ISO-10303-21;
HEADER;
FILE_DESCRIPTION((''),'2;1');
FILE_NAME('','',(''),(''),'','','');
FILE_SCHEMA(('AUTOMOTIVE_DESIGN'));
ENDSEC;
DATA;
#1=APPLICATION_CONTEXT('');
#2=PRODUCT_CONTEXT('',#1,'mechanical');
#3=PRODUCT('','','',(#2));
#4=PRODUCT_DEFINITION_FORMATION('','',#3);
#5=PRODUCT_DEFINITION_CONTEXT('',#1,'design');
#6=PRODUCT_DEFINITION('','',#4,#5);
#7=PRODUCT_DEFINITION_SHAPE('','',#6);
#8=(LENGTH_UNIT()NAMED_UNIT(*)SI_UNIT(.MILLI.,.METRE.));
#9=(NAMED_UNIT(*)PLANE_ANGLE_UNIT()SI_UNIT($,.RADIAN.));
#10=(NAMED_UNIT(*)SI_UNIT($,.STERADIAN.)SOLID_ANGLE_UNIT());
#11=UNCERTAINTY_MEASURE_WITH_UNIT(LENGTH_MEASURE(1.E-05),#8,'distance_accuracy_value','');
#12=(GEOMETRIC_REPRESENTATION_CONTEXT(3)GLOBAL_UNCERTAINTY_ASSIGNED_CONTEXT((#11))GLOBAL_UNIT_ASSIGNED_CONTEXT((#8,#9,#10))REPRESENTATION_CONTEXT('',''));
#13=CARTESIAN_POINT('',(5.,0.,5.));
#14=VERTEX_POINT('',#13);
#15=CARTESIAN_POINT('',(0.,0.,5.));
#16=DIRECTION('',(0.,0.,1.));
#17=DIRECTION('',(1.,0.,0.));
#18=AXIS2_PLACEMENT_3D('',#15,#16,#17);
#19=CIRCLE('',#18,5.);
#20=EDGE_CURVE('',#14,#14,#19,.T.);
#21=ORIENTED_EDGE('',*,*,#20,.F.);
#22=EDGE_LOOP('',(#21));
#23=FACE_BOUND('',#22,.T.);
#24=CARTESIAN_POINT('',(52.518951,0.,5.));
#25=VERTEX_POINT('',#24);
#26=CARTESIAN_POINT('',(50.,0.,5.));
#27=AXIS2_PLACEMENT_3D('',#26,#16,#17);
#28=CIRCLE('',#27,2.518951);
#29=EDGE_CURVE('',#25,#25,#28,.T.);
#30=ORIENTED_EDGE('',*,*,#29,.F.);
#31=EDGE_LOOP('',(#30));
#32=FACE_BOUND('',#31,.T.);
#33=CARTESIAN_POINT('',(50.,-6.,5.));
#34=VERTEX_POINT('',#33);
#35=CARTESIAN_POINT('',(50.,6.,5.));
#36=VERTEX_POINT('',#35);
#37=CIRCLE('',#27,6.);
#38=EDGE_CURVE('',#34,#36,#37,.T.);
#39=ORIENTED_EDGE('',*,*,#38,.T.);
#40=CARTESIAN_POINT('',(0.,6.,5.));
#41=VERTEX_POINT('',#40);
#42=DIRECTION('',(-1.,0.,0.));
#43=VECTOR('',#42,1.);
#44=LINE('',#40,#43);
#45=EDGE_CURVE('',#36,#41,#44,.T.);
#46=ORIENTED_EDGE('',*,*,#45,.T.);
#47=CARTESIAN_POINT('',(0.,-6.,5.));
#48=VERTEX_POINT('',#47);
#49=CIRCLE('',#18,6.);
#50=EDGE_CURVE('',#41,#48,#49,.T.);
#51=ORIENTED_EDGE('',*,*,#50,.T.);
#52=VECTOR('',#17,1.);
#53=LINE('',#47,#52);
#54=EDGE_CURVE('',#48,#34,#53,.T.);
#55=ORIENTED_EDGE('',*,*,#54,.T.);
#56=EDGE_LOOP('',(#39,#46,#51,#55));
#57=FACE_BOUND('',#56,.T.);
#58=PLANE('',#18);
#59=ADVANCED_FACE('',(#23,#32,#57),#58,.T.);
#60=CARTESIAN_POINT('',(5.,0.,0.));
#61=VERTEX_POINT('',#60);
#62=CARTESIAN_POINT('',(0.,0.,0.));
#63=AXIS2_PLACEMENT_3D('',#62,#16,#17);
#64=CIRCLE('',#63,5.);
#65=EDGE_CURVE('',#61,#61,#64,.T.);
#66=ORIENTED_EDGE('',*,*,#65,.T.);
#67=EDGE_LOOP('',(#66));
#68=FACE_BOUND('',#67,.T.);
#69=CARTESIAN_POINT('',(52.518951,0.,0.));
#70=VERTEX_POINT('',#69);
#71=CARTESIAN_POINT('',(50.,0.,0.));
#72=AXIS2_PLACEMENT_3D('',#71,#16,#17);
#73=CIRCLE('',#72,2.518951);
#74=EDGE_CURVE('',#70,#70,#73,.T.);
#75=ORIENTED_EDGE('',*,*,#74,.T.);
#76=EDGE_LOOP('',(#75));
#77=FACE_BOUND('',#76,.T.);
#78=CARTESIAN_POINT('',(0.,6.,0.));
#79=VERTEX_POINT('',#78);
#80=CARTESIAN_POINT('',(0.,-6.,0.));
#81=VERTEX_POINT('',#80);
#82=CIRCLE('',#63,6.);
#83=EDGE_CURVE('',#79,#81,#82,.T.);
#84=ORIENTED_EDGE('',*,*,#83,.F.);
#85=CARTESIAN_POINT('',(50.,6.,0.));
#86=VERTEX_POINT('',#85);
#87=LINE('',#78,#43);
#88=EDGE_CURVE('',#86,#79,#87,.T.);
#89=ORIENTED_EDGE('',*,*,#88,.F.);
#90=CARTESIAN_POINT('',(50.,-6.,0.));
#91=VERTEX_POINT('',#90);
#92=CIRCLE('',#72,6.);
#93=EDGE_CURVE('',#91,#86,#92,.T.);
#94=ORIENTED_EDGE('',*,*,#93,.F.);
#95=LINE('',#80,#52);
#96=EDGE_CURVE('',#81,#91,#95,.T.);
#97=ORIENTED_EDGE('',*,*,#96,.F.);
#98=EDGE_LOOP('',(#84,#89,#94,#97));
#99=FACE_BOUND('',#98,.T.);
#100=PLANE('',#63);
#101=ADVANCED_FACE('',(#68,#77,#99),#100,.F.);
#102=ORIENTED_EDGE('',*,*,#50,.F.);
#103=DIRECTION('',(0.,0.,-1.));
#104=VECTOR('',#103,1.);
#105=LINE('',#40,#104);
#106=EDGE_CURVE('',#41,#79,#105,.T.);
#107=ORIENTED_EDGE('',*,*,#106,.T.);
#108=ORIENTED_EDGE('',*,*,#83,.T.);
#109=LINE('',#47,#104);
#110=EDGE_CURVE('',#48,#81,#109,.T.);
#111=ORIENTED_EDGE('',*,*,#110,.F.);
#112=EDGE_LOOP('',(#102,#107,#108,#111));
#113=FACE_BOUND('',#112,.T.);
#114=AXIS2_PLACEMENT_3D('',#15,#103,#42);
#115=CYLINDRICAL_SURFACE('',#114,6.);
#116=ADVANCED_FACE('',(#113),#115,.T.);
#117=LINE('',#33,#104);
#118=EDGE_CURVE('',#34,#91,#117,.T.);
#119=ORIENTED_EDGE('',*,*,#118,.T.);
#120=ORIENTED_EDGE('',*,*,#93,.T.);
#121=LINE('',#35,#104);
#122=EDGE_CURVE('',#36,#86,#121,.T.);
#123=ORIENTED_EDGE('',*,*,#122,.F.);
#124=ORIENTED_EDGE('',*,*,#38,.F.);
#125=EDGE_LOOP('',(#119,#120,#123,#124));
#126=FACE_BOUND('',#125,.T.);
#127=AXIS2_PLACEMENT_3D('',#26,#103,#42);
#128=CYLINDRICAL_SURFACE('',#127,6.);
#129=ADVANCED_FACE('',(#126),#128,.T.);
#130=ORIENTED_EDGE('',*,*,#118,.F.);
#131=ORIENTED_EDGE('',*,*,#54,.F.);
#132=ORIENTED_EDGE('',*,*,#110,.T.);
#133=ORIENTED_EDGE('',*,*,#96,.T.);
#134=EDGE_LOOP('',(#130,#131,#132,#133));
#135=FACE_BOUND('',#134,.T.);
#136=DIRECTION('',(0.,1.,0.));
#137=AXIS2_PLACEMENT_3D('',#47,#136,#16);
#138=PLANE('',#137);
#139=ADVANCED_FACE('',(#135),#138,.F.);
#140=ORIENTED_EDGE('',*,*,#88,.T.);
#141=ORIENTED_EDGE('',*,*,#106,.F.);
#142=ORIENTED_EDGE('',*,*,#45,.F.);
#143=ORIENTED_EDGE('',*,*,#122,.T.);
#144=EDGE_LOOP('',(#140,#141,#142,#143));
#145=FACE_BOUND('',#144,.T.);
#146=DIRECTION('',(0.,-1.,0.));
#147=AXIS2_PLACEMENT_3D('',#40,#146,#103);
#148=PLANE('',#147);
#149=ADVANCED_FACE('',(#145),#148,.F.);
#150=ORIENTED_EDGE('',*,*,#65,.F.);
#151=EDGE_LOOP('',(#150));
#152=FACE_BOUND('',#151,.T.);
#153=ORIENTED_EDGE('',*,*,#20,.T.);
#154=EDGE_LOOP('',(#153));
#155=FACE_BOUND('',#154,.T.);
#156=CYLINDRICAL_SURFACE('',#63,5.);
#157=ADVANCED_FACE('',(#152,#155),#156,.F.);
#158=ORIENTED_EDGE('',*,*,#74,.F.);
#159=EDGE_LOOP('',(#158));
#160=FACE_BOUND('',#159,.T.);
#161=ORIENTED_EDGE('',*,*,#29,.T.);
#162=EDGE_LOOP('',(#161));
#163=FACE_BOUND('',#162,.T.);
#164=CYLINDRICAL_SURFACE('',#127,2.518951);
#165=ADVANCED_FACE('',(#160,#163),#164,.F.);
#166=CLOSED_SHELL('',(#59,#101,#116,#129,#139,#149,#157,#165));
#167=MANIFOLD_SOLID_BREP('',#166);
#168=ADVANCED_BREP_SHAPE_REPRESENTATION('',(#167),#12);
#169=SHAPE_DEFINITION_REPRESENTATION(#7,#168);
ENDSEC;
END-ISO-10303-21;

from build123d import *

# Parameters (mm, degrees)
SKETCH_1_R          = 2.518951354
EXTRUDE_1_DEPTH     = 5
SKETCH_2_R          = 5
CUT_EXTRUDE_1_DEPTH = 5


with BuildPart() as part:
    # 草图1 → 凸台-拉伸1 (new body)
    with BuildSketch(Plane.XY):
        with BuildLine():
            Line((0, 6), (50, 6))
            ThreePointArc((50, 6), (56, 0), (50, -6))
            Line((50, -6), (0, -6))
            ThreePointArc((0, -6), (-6, 0), (0, 6))
        make_face()
        with Locations((50, 0)):
            Circle(SKETCH_1_R, mode=Mode.SUBTRACT)
    extrude(amount=EXTRUDE_1_DEPTH)

    # 草图2 → 切除-拉伸1 (cut)
    with BuildSketch(Plane.XY.offset(5)):
        Circle(SKETCH_2_R)
    extrude(amount=-CUT_EXTRUDE_1_DEPTH, mode=Mode.SUBTRACT)


solid = part.part
